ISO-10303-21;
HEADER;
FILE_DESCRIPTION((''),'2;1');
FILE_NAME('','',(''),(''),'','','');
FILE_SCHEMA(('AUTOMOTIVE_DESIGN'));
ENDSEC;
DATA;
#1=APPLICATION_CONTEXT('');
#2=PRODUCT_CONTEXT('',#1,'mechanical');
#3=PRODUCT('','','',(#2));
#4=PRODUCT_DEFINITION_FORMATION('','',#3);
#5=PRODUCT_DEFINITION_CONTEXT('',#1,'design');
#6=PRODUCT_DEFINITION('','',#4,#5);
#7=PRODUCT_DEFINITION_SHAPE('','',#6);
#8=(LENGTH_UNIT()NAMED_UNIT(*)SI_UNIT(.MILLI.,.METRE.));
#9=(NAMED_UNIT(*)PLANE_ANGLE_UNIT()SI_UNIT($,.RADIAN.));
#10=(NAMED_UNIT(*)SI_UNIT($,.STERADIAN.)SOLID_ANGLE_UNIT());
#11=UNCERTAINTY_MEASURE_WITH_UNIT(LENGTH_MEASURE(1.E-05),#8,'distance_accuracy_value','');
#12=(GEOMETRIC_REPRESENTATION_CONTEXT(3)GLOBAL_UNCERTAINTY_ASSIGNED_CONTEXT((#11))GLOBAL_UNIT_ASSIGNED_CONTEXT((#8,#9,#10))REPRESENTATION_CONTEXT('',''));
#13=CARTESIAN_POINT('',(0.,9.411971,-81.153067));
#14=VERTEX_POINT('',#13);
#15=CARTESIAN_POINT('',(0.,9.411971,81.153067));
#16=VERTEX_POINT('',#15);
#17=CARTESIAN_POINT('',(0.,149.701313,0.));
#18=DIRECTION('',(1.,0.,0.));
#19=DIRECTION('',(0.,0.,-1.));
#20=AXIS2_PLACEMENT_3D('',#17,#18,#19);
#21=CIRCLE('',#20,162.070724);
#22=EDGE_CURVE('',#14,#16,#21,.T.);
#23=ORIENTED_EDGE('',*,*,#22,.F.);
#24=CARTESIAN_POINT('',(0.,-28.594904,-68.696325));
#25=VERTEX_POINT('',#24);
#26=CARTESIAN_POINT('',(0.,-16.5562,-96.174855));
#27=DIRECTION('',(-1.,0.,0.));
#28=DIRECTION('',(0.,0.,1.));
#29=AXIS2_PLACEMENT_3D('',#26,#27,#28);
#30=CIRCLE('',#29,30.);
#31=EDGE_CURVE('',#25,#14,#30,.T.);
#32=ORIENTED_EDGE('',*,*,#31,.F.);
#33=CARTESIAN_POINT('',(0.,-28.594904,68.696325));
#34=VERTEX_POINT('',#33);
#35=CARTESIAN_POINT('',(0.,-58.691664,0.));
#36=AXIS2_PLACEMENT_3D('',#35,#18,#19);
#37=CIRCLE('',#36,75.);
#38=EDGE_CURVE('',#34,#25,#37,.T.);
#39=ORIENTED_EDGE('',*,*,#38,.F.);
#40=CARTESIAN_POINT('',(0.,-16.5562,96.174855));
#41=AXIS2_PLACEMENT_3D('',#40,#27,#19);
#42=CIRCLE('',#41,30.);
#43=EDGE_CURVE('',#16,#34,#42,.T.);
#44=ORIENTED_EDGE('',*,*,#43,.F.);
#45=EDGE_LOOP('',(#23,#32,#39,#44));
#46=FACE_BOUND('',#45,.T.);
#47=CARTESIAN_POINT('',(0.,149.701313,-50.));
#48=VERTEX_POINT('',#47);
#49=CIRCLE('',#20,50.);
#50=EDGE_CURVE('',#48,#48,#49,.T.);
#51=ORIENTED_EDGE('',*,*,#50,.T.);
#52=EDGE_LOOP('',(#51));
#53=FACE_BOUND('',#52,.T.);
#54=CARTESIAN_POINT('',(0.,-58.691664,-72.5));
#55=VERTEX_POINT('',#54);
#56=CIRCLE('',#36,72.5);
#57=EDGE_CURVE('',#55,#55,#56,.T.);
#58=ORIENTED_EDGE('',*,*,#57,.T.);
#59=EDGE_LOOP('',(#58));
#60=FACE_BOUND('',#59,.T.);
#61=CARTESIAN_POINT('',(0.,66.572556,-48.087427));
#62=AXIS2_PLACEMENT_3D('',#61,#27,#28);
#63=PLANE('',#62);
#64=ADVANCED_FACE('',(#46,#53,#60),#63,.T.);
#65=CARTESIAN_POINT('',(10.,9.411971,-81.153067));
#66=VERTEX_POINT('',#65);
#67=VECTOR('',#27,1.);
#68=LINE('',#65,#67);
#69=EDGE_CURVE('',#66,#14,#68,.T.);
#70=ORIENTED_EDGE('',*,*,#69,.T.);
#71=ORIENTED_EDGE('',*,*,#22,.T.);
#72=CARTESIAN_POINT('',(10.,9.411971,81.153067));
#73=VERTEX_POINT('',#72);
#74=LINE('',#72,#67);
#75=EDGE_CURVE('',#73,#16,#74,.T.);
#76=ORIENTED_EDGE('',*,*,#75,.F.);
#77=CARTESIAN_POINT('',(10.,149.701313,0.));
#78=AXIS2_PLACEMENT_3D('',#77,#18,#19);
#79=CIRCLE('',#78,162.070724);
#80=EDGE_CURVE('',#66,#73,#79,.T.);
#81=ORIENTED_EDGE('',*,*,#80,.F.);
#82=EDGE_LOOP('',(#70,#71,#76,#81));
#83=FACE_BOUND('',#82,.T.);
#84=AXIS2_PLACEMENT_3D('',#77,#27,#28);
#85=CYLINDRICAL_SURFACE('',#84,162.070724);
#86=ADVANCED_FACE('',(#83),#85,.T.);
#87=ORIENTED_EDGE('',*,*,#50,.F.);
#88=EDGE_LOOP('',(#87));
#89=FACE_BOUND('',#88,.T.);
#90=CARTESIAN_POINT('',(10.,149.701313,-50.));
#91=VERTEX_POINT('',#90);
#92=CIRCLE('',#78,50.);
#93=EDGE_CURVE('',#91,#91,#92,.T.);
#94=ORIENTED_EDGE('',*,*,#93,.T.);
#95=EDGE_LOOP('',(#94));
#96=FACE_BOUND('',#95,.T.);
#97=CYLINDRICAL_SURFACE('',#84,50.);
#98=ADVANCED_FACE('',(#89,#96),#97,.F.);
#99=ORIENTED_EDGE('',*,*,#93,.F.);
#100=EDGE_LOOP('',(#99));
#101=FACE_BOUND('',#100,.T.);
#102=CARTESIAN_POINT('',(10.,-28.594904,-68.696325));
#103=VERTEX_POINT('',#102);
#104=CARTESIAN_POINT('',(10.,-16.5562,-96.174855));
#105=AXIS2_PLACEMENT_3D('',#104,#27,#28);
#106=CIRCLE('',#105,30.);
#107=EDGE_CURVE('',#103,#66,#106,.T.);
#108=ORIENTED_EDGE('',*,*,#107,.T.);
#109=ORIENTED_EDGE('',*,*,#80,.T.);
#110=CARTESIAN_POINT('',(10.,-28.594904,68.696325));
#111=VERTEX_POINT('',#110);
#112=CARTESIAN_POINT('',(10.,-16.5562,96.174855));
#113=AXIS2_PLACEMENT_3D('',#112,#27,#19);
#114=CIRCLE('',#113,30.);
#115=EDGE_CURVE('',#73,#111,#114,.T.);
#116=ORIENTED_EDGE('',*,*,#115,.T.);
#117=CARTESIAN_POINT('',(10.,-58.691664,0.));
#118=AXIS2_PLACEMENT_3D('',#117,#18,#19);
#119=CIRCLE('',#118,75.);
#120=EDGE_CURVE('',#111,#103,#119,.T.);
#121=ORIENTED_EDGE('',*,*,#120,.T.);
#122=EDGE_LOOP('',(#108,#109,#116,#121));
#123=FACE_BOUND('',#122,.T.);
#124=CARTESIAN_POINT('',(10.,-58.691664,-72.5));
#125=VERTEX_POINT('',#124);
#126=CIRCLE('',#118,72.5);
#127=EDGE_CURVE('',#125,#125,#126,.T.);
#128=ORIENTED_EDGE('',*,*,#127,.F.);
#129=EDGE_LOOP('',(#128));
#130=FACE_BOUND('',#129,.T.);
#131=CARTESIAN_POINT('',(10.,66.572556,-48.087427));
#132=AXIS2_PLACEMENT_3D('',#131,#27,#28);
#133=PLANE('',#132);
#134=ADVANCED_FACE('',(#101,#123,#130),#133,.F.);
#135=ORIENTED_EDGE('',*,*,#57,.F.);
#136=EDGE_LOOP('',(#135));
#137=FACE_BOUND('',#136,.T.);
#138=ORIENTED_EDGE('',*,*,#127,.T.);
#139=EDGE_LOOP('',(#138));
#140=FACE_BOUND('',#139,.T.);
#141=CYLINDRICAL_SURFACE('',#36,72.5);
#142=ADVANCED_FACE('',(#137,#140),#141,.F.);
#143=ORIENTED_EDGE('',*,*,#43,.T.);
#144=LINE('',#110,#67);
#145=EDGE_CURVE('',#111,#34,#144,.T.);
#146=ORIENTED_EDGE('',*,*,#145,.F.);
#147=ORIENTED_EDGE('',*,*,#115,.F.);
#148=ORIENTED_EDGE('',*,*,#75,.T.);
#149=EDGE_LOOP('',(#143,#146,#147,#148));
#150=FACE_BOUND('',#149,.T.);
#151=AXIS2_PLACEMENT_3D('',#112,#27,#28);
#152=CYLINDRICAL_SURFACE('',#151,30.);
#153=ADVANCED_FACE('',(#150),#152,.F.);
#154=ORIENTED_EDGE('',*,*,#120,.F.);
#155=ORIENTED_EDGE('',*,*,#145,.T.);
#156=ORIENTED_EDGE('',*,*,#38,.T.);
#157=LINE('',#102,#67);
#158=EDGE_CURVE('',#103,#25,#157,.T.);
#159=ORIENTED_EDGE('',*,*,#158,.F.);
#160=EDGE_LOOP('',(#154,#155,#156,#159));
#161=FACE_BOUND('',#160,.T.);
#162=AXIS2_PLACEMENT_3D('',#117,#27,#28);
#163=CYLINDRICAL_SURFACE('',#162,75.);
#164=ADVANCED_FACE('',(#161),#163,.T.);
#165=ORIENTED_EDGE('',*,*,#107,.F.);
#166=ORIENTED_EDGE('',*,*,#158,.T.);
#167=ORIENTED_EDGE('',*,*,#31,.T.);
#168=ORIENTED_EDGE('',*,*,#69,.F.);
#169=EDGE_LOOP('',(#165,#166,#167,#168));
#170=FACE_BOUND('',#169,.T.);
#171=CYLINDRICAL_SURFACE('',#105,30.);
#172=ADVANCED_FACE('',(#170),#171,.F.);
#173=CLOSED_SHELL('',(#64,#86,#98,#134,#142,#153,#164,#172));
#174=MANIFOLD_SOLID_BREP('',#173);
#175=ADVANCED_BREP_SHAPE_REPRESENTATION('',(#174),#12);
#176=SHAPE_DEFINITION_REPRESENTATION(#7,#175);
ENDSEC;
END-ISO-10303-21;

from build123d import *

# Parameters (mm, degrees)
SKETCH1_R           = 50
BOSS_EXTRUDE1_DEPTH = 10
SKETCH2_R           = 72.5
CUT_EXTRUDE1_DEPTH  = 352.523431325


with BuildPart() as part:
    # Sketch1 → Boss-Extrude1 (new body)
    with BuildSketch(Plane(origin=(0, 0, 0), x_dir=(0, 0, -1), z_dir=(1, 0, 0))):
        with BuildLine():
            ThreePointArc((81.153066922, 9.411970763), (0, 311.772037013), (-81.153066922, 9.411970763))
            ThreePointArc((-81.153066922, 9.411970763), (-67.666963002, -7.212746854), (-68.696324701, -28.59490412))
            ThreePointArc((-68.696324701, -28.59490412), (0, -133.691664287), (68.696324701, -28.59490412))
            ThreePointArc((68.696324701, -28.59490412), (67.666963002, -7.212746854), (81.153066922, 9.411970763))
        make_face()
        with Locations((0, 149.701312613)):
            Circle(SKETCH1_R, mode=Mode.SUBTRACT)
    extrude(amount=BOSS_EXTRUDE1_DEPTH)

    # Sketch2 → Cut-Extrude1 (cut, through all)
    with BuildSketch(Plane(origin=(10, 0, 0), x_dir=(0, 0, -1), z_dir=(1, 0, 0))):
        with Locations((0, -58.691664287)):
            Circle(SKETCH2_R)
    extrude(amount=-CUT_EXTRUDE1_DEPTH, mode=Mode.SUBTRACT)


solid = part.part
